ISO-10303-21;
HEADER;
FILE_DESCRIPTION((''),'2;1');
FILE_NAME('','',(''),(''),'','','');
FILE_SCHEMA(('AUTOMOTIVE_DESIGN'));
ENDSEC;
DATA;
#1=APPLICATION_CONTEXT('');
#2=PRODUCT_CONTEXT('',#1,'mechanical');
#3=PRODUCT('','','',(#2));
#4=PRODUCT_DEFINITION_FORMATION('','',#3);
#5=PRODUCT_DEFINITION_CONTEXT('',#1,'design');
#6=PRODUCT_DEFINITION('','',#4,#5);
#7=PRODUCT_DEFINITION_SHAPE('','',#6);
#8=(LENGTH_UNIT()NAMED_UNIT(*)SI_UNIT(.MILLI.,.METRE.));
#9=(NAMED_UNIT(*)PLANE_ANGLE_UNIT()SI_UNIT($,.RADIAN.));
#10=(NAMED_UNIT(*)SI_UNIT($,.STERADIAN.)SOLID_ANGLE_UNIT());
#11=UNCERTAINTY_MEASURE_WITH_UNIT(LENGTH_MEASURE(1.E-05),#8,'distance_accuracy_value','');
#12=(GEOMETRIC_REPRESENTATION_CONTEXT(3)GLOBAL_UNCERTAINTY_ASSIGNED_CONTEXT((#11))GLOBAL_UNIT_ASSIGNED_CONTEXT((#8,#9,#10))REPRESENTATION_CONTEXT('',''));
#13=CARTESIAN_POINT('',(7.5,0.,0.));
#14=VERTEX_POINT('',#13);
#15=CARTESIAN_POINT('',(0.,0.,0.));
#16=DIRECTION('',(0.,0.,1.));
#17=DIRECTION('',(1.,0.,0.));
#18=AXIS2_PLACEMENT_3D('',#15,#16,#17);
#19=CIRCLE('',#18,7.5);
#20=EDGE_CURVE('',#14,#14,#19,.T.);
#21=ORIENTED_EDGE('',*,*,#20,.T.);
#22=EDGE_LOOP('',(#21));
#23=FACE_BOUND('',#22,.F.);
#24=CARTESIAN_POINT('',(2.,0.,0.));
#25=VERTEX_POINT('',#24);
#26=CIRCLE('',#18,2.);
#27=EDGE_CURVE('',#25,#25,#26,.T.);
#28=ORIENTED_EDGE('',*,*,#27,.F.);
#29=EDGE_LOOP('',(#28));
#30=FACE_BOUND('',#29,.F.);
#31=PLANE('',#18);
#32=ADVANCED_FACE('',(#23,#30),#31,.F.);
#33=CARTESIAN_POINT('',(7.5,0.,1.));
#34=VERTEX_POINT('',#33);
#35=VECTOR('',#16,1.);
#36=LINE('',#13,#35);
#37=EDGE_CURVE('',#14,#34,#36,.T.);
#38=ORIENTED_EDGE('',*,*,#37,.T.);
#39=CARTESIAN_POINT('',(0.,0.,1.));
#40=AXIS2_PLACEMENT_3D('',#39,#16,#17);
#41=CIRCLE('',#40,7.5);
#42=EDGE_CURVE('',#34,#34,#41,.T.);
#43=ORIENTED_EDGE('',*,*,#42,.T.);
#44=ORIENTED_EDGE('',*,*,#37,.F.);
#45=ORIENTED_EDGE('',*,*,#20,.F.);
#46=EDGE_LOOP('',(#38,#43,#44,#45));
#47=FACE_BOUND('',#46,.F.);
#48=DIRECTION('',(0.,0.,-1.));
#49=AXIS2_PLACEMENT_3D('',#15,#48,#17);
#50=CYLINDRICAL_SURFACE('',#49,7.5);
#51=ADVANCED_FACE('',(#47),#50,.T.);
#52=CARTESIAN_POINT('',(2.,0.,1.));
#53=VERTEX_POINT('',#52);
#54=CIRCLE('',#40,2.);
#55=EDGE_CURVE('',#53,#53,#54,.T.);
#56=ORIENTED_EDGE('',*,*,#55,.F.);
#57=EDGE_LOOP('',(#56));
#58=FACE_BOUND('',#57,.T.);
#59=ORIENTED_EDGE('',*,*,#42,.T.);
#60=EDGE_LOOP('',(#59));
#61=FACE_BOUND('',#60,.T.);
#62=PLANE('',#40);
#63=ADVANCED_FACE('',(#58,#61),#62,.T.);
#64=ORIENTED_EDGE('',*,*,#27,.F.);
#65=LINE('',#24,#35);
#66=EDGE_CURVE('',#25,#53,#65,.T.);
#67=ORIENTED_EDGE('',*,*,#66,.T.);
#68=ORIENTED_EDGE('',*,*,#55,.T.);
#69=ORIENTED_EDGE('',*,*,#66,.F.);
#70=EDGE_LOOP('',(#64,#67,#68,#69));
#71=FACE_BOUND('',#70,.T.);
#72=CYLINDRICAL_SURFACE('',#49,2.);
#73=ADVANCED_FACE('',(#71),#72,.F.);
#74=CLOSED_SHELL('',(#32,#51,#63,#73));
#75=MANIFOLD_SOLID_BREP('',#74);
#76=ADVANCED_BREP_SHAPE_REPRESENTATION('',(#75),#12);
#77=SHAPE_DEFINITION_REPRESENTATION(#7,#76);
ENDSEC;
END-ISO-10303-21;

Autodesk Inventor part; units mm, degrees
ref_plane "YZ Plane" through (0, 0, 0) normal (1, 0, 0) x (0, 1, 0)
ref_plane "XZ Plane" through (0, 0, 0) normal (0, 1, 0) x (-1, 0, 0)
ref_plane "XY Plane" through (0, 0, 0) normal (0, 0, 1) x (1, 0, 0)
sketch "Sketch1" plane through (0, 0, 0) normal (0, 0, 1) x (1, 0, 0)
  circle A0 centre (0, 0) radius 7.5
  circle A1 centre (0, 0) radius 2
  dimension "d0" = 15
  dimension "d1" = 4
extrude "Extrusion1" add sketch "Sketch1" along normal blind 1
properties part number "arandela"
